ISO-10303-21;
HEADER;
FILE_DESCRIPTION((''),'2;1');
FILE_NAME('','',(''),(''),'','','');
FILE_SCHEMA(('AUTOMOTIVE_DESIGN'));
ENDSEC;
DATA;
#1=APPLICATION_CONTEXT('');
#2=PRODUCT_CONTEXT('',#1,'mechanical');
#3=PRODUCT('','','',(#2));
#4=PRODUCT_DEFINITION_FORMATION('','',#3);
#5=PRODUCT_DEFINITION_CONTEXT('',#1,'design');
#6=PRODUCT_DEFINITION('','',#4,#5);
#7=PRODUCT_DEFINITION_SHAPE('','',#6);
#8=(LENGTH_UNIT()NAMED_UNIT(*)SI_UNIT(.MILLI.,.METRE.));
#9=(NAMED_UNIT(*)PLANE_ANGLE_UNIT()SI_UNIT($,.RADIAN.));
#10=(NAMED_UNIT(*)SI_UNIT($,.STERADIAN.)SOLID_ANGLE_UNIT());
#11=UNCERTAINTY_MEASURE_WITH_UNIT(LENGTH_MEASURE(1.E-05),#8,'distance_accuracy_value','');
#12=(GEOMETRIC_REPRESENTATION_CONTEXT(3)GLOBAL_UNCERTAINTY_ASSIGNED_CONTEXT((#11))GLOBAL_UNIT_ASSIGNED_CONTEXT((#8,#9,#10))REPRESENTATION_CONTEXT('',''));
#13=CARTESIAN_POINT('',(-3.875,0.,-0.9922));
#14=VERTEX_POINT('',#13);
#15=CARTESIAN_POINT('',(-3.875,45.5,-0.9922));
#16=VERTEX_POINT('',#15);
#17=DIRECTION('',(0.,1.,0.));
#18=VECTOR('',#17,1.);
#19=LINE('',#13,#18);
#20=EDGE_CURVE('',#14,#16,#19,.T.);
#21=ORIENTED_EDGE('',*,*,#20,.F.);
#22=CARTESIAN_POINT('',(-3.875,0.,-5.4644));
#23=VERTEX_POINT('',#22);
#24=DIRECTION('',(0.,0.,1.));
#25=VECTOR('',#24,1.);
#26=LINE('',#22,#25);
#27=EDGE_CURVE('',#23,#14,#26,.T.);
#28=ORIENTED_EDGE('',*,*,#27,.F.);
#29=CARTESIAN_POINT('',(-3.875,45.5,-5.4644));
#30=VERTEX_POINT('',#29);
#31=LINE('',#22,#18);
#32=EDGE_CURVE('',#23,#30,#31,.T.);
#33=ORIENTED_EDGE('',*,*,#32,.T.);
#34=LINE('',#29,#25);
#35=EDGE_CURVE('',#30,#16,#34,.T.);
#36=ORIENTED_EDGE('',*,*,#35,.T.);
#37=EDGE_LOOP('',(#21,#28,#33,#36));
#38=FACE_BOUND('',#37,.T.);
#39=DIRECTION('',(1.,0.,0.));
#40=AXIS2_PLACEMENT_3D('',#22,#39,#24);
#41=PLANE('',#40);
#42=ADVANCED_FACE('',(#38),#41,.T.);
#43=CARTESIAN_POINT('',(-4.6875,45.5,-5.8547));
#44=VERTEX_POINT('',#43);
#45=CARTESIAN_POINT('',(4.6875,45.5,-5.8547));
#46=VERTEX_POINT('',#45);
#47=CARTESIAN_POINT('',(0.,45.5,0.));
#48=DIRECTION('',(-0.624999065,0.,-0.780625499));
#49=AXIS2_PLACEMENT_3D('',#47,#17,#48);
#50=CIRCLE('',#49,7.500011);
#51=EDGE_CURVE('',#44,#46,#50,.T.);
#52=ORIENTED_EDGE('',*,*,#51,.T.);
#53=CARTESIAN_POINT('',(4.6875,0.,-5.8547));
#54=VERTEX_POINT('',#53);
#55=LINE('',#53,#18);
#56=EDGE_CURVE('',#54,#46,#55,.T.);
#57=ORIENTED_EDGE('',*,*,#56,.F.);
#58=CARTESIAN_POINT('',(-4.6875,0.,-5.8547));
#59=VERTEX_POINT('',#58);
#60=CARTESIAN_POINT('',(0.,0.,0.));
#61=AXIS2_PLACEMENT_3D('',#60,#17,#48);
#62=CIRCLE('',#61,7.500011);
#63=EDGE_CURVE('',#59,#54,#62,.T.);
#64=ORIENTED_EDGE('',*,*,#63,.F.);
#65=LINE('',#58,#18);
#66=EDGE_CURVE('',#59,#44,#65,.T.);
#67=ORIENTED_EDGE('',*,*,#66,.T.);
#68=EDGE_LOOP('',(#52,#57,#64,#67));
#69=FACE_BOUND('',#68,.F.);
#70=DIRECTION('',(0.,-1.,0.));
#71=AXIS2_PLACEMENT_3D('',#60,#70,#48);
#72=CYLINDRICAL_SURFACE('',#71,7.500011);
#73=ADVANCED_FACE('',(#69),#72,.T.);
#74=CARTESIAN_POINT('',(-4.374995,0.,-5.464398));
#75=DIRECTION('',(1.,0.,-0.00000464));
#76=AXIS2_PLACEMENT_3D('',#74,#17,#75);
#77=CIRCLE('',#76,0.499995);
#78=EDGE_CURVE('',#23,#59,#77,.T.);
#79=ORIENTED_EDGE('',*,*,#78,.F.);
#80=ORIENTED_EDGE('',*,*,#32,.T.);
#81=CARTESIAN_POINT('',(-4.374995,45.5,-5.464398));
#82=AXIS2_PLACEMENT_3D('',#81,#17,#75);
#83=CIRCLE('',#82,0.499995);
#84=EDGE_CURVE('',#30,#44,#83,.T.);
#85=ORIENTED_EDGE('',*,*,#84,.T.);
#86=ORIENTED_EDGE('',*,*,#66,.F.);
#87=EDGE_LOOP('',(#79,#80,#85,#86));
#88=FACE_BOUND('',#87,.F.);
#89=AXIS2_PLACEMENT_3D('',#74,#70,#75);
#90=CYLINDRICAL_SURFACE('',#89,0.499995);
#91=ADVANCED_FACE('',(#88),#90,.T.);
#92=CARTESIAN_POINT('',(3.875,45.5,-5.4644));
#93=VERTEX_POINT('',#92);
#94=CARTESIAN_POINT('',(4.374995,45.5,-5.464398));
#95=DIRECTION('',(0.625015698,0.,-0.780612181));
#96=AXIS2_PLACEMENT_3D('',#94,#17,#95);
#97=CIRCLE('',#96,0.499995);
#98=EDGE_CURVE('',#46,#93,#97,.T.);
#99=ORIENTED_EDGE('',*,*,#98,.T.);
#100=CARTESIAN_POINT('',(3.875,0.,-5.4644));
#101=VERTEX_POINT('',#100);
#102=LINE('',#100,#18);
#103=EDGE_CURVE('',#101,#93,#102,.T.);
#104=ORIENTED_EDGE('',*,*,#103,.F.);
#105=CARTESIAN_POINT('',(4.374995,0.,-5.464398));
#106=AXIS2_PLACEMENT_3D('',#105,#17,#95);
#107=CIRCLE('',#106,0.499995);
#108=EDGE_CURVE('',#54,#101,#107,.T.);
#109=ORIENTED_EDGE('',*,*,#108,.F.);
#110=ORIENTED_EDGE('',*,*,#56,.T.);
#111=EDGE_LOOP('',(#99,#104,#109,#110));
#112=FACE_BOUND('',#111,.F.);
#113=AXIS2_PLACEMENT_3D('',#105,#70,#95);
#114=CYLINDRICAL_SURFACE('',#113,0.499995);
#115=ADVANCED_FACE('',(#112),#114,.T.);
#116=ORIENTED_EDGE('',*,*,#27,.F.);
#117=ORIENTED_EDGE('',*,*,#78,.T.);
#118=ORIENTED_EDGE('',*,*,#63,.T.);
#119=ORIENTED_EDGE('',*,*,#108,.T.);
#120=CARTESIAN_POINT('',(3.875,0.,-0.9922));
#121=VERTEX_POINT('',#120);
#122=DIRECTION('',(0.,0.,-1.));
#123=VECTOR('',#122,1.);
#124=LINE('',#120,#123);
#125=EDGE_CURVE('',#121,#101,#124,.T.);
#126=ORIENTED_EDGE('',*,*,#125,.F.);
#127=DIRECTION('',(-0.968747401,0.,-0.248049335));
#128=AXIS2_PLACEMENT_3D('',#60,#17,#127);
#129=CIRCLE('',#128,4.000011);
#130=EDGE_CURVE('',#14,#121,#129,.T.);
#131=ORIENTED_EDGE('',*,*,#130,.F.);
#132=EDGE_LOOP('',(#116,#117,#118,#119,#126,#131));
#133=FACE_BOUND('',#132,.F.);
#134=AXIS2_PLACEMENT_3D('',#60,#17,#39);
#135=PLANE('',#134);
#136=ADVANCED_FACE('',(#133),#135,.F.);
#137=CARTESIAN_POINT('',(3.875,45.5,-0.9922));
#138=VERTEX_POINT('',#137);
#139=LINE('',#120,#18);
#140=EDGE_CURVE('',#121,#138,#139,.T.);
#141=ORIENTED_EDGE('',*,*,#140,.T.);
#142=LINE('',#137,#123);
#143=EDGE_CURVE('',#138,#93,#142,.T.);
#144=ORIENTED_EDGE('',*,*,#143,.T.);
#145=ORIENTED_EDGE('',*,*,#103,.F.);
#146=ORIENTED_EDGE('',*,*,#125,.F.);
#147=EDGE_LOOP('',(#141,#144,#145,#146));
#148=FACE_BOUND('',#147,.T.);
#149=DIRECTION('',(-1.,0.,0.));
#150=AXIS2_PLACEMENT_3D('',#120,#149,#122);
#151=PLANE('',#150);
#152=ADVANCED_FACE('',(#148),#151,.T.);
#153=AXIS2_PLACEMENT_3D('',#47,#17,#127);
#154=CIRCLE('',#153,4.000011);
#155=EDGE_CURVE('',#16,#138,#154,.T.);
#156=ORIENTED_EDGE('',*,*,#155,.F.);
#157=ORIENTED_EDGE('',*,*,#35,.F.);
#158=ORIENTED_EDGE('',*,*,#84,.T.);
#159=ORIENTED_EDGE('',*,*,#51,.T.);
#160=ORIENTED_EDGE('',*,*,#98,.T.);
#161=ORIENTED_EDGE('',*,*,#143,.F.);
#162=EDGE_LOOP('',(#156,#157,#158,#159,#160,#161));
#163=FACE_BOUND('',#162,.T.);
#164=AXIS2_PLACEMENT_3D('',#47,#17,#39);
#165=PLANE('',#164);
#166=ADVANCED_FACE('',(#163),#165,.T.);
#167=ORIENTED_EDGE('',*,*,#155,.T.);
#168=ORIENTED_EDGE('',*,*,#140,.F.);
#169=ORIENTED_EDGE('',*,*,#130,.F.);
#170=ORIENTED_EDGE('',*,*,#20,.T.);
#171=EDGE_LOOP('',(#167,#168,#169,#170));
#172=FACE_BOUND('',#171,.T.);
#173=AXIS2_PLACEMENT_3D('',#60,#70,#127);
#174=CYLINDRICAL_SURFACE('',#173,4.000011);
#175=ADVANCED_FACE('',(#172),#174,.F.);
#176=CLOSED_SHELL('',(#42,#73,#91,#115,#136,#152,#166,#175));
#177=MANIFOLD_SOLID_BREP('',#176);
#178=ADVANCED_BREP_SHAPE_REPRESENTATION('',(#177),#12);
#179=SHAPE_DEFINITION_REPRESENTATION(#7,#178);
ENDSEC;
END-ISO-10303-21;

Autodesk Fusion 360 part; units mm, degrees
sketch "Sketch1" plane through (0, 0, 0) normal (0, 1, 0) x (1, 0, 0)
  line L0 (0, -11) -> (0, 10) construction
  line L1 (-3.875, 5.4644) -> (-3.875, 0.9922)
  line L2 (3.875, 0.9922) -> (3.875, 5.4644)
  arc A0 (-4.6875, 5.8547) -> (4.6875, 5.8547) centre (0, 0) ccw
  arc A1 (-3.875, 0.9922) -> (3.875, 0.9922) centre (0, 0) ccw
  arc A2 (-3.875, 5.4644) -> (-4.6875, 5.8547) centre (-4.375, 5.4644) ccw
  arc A3 (4.6875, 5.8547) -> (3.875, 5.4644) centre (4.375, 5.4644) ccw
  dimension "d1" = 8
  dimension "d2" = 15
  dimension "d4" = 0.5
  dimension "d5" = 7.75
extrude "Extrude1" add sketch "Sketch1" along normal blind 45.5
